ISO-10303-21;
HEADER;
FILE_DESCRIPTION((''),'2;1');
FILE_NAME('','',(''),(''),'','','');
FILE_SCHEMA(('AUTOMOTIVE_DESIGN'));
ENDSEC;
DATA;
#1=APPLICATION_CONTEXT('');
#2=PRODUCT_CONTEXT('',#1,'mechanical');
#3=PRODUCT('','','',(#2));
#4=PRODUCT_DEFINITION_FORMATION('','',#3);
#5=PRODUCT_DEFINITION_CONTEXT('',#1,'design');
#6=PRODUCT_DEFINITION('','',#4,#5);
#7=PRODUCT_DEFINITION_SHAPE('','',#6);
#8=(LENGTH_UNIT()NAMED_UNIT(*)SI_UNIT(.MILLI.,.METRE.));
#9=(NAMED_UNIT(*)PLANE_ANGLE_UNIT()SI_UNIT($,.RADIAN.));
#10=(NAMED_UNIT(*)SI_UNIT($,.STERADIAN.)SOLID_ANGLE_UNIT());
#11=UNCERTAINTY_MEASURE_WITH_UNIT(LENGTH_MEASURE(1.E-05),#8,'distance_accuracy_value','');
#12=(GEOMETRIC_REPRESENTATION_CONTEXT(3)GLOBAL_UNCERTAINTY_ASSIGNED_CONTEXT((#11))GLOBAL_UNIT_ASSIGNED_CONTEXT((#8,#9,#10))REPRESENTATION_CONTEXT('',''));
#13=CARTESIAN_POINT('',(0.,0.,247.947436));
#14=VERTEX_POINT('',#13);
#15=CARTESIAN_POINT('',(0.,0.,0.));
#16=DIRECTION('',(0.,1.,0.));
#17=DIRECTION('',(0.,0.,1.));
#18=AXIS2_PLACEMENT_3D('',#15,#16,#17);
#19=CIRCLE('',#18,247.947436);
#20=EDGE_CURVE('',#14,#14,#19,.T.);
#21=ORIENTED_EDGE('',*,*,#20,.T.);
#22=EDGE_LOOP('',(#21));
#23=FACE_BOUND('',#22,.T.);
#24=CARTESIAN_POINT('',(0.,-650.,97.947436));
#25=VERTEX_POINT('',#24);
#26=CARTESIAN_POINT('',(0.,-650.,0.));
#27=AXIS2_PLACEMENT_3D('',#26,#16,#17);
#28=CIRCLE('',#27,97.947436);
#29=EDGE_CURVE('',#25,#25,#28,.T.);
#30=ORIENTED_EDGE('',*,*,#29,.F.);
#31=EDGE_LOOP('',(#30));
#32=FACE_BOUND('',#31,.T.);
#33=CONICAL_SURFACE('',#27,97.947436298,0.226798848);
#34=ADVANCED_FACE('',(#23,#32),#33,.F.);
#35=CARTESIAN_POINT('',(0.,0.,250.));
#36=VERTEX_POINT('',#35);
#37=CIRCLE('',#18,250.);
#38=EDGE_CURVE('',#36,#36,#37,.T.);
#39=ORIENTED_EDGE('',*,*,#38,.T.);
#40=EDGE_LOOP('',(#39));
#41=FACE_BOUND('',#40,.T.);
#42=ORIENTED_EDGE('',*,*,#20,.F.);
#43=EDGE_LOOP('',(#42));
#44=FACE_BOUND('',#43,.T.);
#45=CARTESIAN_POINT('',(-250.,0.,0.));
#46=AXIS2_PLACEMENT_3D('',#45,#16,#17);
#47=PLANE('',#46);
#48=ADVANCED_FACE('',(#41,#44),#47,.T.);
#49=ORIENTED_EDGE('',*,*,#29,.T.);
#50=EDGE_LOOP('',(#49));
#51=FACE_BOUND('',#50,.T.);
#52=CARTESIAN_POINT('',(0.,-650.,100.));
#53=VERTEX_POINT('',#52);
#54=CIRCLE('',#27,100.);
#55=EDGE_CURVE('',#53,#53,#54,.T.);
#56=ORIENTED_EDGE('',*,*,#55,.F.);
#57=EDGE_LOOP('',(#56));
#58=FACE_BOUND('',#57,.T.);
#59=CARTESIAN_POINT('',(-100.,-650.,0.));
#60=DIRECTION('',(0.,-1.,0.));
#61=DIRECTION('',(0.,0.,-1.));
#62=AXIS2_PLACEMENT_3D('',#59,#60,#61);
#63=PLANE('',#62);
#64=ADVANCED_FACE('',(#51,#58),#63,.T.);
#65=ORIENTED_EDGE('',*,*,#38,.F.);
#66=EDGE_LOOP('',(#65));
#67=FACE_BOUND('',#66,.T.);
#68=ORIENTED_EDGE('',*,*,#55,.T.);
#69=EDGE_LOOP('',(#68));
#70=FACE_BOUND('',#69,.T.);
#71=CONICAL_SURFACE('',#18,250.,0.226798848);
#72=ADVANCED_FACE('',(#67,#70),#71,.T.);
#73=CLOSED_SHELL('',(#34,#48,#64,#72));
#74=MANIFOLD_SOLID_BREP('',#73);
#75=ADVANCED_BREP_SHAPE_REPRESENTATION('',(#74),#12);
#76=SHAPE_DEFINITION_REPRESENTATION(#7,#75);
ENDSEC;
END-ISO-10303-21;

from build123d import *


with BuildPart() as part:
    # Sketch1 → Revolve1 (revolve)
    with BuildSketch(Plane.XY):
        Polygon((-100, -650), (-250, 0), (-247.947436298, 0), (-97.947436298, -650), align=None)
    revolve(axis=Axis((0, 265.385626377, 0), (0, -1, 0)))


solid = part.part
